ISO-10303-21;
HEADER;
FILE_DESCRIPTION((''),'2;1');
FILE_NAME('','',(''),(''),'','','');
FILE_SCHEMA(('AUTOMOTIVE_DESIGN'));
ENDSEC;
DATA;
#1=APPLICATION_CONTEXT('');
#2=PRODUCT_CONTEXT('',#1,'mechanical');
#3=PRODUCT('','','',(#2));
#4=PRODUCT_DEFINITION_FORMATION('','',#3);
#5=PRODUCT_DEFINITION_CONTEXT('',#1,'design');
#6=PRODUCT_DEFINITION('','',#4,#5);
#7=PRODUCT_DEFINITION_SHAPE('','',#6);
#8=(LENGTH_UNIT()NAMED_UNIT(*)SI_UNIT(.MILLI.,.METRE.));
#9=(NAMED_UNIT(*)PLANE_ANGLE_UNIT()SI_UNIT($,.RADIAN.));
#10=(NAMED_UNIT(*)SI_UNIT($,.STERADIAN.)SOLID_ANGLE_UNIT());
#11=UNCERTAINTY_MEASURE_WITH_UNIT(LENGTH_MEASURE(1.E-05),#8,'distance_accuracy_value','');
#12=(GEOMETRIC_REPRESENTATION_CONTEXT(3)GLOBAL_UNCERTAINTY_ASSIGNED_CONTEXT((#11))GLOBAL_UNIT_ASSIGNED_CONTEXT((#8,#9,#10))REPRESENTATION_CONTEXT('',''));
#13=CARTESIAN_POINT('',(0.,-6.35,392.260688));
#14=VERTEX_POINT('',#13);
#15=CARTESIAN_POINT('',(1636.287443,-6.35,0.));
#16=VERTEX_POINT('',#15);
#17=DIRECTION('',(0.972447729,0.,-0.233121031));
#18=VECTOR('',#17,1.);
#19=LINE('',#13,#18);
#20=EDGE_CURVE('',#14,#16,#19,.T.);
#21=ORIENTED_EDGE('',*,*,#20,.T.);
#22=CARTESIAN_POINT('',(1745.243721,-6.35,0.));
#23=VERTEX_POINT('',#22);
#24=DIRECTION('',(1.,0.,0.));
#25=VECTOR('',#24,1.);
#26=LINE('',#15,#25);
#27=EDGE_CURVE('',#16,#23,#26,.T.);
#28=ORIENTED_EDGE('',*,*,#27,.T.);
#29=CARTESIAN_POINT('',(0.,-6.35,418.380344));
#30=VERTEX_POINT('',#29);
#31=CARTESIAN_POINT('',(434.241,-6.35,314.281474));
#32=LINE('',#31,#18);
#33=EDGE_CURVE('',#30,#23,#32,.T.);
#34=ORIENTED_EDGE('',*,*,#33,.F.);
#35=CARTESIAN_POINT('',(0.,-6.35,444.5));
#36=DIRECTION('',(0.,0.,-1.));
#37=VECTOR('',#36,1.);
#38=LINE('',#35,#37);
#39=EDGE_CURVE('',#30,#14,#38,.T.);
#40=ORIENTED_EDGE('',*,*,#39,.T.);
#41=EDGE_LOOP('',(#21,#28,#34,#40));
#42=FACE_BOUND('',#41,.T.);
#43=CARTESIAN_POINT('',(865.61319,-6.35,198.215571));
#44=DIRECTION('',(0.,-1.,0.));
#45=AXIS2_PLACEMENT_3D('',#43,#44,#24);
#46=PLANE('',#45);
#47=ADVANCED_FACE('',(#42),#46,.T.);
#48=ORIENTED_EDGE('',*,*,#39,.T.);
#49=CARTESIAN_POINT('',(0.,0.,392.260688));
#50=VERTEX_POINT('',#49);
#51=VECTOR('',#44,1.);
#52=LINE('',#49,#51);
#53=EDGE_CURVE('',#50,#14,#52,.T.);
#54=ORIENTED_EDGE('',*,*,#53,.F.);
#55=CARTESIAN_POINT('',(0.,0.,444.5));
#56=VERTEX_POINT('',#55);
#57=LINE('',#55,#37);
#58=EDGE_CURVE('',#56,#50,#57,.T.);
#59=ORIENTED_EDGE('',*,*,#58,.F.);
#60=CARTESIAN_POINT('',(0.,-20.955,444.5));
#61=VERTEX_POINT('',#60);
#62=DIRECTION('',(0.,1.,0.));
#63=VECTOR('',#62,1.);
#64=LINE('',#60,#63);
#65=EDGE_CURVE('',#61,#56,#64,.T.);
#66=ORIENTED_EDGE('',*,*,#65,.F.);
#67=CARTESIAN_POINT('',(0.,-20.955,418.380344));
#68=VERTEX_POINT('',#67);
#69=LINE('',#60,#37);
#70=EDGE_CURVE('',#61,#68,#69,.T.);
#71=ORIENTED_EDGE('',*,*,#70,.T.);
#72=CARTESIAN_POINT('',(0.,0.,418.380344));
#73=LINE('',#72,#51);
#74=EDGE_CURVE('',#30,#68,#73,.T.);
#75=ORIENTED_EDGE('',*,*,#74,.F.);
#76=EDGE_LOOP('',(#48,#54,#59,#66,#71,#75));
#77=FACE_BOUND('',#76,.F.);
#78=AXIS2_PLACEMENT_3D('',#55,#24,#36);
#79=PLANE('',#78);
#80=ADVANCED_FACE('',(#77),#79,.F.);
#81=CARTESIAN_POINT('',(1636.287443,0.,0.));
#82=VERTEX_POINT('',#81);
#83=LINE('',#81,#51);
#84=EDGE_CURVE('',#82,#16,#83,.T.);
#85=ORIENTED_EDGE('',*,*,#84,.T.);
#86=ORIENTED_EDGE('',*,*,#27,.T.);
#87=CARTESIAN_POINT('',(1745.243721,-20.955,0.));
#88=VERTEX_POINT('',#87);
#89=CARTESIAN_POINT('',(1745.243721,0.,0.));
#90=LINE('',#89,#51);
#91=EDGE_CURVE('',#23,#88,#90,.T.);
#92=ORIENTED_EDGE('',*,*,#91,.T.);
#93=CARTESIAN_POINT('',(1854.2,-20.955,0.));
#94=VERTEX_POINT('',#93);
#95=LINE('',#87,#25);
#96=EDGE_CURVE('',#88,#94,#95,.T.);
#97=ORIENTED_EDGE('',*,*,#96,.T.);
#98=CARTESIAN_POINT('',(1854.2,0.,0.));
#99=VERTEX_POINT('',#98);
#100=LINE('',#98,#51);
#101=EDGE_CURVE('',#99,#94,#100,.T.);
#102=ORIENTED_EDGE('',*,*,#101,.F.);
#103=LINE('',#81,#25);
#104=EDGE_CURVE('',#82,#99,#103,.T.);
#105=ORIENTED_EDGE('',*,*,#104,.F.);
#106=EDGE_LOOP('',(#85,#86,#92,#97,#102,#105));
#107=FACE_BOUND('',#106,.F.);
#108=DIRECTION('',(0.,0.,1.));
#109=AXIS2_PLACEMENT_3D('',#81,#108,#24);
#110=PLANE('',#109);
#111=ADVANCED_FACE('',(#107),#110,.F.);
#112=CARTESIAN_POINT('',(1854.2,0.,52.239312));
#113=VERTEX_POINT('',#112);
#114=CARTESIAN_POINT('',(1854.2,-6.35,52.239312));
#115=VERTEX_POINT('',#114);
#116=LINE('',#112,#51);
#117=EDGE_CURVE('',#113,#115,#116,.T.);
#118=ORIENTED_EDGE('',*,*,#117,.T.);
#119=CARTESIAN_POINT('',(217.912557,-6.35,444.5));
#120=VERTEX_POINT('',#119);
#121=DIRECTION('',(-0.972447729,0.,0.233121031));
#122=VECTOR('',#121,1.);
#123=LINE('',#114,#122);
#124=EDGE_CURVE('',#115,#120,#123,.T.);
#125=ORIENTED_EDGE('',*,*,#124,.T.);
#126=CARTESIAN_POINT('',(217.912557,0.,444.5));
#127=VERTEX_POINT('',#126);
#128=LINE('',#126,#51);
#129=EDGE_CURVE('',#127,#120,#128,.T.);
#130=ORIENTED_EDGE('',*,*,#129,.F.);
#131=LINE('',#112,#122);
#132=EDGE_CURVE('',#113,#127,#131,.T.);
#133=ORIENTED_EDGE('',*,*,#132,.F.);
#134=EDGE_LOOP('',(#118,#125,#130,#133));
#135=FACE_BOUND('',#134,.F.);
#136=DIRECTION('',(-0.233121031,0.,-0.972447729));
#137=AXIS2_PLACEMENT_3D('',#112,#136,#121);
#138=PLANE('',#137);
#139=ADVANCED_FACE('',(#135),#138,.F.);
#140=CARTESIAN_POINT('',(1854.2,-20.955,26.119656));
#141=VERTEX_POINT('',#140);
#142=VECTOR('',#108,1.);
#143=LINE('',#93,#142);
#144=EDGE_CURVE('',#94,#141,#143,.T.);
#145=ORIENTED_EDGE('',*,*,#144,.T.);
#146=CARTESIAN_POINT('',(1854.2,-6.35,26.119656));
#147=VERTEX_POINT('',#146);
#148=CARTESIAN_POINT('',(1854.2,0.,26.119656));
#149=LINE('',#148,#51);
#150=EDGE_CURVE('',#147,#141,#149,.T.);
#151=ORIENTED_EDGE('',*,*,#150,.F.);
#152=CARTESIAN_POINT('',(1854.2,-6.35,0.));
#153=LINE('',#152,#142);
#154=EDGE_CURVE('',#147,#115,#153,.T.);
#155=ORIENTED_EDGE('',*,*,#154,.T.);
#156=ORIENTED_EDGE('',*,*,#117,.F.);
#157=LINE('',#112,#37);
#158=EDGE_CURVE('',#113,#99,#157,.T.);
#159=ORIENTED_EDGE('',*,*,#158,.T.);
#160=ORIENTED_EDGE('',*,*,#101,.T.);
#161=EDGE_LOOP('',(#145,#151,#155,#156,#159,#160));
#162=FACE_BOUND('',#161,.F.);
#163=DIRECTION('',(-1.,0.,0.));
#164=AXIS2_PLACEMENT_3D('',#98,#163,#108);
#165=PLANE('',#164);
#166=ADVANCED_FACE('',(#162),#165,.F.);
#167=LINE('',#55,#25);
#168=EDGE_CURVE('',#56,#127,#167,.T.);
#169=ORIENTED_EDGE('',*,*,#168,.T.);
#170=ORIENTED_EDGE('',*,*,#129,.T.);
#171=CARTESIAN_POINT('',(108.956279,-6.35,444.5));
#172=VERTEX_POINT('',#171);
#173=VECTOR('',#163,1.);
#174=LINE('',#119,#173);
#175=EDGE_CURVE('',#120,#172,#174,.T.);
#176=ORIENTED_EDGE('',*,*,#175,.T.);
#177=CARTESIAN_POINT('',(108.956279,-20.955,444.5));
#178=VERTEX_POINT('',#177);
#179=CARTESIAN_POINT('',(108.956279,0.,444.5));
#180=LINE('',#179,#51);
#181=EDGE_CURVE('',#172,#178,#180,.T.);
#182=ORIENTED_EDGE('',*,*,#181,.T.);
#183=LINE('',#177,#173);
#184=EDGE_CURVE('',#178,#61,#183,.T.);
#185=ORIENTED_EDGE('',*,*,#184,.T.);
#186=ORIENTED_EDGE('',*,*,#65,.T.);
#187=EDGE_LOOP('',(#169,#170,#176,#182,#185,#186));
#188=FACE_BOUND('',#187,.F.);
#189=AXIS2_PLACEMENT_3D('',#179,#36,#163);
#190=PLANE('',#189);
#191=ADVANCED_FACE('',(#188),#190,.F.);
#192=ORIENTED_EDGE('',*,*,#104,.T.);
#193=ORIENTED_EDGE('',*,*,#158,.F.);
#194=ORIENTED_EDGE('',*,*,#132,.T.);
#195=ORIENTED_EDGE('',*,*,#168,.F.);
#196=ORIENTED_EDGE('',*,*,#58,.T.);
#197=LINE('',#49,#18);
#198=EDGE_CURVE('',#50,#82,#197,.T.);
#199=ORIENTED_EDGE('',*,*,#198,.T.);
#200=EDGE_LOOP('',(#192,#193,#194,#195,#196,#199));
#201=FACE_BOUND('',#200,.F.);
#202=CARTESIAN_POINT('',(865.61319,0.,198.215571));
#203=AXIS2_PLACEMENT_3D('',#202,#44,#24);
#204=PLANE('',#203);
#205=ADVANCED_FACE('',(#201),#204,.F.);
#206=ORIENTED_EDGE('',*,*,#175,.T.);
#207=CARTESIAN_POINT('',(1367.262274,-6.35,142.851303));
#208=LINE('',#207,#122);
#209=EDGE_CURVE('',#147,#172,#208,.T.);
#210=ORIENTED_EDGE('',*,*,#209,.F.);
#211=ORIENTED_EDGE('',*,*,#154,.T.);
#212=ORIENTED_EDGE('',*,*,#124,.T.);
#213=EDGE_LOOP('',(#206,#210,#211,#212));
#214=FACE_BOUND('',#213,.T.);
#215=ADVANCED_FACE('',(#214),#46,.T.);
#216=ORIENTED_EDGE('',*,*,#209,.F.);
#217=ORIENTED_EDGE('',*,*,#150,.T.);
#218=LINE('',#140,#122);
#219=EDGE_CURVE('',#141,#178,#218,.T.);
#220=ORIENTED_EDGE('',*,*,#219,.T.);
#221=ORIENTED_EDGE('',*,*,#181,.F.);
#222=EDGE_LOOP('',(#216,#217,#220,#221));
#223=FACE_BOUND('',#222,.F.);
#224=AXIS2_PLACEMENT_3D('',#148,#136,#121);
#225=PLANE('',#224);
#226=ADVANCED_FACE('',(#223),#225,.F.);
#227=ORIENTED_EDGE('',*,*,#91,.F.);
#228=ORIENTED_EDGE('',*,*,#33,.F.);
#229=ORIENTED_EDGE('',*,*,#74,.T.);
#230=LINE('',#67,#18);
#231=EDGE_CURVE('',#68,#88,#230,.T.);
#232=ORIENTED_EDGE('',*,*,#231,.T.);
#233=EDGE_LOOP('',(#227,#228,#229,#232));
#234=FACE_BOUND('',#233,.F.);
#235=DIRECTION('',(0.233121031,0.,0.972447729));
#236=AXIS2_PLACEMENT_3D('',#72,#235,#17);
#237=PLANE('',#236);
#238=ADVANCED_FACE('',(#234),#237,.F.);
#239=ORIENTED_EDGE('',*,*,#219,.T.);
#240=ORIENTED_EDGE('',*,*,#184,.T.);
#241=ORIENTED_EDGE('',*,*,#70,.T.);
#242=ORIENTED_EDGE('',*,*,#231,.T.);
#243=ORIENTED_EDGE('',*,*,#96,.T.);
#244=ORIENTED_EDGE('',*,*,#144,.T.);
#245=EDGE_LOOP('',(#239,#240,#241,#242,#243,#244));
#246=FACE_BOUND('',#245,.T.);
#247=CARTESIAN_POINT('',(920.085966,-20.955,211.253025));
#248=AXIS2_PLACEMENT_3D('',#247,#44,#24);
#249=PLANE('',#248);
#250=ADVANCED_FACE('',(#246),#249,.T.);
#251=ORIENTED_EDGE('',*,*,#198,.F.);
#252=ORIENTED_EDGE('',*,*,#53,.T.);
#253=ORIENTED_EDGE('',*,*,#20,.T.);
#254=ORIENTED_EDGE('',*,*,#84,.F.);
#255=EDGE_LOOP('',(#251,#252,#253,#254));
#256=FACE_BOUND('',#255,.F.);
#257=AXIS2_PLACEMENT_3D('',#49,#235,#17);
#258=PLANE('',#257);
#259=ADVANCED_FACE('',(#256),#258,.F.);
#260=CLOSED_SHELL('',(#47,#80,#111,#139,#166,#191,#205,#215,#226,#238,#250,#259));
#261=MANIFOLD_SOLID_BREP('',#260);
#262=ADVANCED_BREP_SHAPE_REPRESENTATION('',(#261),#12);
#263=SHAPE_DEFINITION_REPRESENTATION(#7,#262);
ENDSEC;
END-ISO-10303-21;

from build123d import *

# Parameters (mm, degrees)
F1_DEPTH = 20.955
F2_DEPTH = 6.35


with BuildPart() as f1:
    # F0 (on Front) → F1 (new body)
    with BuildSketch(Plane.XZ):
        Polygon((0, 418.380344), (1745.243721, 0), (1854.2, 0), (0, 444.5), align=None)
        Polygon((0, 444.5), (1854.2, 0), (1854.2, 26.119656), (108.956279, 444.5), align=None)
    extrude(amount=F1_DEPTH)

    # F0 (on Front) → F2 (join)
    with BuildSketch(Plane.XZ):
        Polygon((0, 392.260688), (1636.287443, 0), (1745.243721, 0), (0, 418.380344), align=None)
        Polygon((0, 418.380344), (1745.243721, 0), (1854.2, 0), (0, 444.5), align=None)
        Polygon((0, 444.5), (1854.2, 0), (1854.2, 26.119656), (108.956279, 444.5), align=None)
        Polygon((108.956279, 444.5), (1854.2, 26.119656), (1854.2, 52.239312), (217.912557, 444.5), align=None)
    extrude(amount=F2_DEPTH)


solid = f1.part
